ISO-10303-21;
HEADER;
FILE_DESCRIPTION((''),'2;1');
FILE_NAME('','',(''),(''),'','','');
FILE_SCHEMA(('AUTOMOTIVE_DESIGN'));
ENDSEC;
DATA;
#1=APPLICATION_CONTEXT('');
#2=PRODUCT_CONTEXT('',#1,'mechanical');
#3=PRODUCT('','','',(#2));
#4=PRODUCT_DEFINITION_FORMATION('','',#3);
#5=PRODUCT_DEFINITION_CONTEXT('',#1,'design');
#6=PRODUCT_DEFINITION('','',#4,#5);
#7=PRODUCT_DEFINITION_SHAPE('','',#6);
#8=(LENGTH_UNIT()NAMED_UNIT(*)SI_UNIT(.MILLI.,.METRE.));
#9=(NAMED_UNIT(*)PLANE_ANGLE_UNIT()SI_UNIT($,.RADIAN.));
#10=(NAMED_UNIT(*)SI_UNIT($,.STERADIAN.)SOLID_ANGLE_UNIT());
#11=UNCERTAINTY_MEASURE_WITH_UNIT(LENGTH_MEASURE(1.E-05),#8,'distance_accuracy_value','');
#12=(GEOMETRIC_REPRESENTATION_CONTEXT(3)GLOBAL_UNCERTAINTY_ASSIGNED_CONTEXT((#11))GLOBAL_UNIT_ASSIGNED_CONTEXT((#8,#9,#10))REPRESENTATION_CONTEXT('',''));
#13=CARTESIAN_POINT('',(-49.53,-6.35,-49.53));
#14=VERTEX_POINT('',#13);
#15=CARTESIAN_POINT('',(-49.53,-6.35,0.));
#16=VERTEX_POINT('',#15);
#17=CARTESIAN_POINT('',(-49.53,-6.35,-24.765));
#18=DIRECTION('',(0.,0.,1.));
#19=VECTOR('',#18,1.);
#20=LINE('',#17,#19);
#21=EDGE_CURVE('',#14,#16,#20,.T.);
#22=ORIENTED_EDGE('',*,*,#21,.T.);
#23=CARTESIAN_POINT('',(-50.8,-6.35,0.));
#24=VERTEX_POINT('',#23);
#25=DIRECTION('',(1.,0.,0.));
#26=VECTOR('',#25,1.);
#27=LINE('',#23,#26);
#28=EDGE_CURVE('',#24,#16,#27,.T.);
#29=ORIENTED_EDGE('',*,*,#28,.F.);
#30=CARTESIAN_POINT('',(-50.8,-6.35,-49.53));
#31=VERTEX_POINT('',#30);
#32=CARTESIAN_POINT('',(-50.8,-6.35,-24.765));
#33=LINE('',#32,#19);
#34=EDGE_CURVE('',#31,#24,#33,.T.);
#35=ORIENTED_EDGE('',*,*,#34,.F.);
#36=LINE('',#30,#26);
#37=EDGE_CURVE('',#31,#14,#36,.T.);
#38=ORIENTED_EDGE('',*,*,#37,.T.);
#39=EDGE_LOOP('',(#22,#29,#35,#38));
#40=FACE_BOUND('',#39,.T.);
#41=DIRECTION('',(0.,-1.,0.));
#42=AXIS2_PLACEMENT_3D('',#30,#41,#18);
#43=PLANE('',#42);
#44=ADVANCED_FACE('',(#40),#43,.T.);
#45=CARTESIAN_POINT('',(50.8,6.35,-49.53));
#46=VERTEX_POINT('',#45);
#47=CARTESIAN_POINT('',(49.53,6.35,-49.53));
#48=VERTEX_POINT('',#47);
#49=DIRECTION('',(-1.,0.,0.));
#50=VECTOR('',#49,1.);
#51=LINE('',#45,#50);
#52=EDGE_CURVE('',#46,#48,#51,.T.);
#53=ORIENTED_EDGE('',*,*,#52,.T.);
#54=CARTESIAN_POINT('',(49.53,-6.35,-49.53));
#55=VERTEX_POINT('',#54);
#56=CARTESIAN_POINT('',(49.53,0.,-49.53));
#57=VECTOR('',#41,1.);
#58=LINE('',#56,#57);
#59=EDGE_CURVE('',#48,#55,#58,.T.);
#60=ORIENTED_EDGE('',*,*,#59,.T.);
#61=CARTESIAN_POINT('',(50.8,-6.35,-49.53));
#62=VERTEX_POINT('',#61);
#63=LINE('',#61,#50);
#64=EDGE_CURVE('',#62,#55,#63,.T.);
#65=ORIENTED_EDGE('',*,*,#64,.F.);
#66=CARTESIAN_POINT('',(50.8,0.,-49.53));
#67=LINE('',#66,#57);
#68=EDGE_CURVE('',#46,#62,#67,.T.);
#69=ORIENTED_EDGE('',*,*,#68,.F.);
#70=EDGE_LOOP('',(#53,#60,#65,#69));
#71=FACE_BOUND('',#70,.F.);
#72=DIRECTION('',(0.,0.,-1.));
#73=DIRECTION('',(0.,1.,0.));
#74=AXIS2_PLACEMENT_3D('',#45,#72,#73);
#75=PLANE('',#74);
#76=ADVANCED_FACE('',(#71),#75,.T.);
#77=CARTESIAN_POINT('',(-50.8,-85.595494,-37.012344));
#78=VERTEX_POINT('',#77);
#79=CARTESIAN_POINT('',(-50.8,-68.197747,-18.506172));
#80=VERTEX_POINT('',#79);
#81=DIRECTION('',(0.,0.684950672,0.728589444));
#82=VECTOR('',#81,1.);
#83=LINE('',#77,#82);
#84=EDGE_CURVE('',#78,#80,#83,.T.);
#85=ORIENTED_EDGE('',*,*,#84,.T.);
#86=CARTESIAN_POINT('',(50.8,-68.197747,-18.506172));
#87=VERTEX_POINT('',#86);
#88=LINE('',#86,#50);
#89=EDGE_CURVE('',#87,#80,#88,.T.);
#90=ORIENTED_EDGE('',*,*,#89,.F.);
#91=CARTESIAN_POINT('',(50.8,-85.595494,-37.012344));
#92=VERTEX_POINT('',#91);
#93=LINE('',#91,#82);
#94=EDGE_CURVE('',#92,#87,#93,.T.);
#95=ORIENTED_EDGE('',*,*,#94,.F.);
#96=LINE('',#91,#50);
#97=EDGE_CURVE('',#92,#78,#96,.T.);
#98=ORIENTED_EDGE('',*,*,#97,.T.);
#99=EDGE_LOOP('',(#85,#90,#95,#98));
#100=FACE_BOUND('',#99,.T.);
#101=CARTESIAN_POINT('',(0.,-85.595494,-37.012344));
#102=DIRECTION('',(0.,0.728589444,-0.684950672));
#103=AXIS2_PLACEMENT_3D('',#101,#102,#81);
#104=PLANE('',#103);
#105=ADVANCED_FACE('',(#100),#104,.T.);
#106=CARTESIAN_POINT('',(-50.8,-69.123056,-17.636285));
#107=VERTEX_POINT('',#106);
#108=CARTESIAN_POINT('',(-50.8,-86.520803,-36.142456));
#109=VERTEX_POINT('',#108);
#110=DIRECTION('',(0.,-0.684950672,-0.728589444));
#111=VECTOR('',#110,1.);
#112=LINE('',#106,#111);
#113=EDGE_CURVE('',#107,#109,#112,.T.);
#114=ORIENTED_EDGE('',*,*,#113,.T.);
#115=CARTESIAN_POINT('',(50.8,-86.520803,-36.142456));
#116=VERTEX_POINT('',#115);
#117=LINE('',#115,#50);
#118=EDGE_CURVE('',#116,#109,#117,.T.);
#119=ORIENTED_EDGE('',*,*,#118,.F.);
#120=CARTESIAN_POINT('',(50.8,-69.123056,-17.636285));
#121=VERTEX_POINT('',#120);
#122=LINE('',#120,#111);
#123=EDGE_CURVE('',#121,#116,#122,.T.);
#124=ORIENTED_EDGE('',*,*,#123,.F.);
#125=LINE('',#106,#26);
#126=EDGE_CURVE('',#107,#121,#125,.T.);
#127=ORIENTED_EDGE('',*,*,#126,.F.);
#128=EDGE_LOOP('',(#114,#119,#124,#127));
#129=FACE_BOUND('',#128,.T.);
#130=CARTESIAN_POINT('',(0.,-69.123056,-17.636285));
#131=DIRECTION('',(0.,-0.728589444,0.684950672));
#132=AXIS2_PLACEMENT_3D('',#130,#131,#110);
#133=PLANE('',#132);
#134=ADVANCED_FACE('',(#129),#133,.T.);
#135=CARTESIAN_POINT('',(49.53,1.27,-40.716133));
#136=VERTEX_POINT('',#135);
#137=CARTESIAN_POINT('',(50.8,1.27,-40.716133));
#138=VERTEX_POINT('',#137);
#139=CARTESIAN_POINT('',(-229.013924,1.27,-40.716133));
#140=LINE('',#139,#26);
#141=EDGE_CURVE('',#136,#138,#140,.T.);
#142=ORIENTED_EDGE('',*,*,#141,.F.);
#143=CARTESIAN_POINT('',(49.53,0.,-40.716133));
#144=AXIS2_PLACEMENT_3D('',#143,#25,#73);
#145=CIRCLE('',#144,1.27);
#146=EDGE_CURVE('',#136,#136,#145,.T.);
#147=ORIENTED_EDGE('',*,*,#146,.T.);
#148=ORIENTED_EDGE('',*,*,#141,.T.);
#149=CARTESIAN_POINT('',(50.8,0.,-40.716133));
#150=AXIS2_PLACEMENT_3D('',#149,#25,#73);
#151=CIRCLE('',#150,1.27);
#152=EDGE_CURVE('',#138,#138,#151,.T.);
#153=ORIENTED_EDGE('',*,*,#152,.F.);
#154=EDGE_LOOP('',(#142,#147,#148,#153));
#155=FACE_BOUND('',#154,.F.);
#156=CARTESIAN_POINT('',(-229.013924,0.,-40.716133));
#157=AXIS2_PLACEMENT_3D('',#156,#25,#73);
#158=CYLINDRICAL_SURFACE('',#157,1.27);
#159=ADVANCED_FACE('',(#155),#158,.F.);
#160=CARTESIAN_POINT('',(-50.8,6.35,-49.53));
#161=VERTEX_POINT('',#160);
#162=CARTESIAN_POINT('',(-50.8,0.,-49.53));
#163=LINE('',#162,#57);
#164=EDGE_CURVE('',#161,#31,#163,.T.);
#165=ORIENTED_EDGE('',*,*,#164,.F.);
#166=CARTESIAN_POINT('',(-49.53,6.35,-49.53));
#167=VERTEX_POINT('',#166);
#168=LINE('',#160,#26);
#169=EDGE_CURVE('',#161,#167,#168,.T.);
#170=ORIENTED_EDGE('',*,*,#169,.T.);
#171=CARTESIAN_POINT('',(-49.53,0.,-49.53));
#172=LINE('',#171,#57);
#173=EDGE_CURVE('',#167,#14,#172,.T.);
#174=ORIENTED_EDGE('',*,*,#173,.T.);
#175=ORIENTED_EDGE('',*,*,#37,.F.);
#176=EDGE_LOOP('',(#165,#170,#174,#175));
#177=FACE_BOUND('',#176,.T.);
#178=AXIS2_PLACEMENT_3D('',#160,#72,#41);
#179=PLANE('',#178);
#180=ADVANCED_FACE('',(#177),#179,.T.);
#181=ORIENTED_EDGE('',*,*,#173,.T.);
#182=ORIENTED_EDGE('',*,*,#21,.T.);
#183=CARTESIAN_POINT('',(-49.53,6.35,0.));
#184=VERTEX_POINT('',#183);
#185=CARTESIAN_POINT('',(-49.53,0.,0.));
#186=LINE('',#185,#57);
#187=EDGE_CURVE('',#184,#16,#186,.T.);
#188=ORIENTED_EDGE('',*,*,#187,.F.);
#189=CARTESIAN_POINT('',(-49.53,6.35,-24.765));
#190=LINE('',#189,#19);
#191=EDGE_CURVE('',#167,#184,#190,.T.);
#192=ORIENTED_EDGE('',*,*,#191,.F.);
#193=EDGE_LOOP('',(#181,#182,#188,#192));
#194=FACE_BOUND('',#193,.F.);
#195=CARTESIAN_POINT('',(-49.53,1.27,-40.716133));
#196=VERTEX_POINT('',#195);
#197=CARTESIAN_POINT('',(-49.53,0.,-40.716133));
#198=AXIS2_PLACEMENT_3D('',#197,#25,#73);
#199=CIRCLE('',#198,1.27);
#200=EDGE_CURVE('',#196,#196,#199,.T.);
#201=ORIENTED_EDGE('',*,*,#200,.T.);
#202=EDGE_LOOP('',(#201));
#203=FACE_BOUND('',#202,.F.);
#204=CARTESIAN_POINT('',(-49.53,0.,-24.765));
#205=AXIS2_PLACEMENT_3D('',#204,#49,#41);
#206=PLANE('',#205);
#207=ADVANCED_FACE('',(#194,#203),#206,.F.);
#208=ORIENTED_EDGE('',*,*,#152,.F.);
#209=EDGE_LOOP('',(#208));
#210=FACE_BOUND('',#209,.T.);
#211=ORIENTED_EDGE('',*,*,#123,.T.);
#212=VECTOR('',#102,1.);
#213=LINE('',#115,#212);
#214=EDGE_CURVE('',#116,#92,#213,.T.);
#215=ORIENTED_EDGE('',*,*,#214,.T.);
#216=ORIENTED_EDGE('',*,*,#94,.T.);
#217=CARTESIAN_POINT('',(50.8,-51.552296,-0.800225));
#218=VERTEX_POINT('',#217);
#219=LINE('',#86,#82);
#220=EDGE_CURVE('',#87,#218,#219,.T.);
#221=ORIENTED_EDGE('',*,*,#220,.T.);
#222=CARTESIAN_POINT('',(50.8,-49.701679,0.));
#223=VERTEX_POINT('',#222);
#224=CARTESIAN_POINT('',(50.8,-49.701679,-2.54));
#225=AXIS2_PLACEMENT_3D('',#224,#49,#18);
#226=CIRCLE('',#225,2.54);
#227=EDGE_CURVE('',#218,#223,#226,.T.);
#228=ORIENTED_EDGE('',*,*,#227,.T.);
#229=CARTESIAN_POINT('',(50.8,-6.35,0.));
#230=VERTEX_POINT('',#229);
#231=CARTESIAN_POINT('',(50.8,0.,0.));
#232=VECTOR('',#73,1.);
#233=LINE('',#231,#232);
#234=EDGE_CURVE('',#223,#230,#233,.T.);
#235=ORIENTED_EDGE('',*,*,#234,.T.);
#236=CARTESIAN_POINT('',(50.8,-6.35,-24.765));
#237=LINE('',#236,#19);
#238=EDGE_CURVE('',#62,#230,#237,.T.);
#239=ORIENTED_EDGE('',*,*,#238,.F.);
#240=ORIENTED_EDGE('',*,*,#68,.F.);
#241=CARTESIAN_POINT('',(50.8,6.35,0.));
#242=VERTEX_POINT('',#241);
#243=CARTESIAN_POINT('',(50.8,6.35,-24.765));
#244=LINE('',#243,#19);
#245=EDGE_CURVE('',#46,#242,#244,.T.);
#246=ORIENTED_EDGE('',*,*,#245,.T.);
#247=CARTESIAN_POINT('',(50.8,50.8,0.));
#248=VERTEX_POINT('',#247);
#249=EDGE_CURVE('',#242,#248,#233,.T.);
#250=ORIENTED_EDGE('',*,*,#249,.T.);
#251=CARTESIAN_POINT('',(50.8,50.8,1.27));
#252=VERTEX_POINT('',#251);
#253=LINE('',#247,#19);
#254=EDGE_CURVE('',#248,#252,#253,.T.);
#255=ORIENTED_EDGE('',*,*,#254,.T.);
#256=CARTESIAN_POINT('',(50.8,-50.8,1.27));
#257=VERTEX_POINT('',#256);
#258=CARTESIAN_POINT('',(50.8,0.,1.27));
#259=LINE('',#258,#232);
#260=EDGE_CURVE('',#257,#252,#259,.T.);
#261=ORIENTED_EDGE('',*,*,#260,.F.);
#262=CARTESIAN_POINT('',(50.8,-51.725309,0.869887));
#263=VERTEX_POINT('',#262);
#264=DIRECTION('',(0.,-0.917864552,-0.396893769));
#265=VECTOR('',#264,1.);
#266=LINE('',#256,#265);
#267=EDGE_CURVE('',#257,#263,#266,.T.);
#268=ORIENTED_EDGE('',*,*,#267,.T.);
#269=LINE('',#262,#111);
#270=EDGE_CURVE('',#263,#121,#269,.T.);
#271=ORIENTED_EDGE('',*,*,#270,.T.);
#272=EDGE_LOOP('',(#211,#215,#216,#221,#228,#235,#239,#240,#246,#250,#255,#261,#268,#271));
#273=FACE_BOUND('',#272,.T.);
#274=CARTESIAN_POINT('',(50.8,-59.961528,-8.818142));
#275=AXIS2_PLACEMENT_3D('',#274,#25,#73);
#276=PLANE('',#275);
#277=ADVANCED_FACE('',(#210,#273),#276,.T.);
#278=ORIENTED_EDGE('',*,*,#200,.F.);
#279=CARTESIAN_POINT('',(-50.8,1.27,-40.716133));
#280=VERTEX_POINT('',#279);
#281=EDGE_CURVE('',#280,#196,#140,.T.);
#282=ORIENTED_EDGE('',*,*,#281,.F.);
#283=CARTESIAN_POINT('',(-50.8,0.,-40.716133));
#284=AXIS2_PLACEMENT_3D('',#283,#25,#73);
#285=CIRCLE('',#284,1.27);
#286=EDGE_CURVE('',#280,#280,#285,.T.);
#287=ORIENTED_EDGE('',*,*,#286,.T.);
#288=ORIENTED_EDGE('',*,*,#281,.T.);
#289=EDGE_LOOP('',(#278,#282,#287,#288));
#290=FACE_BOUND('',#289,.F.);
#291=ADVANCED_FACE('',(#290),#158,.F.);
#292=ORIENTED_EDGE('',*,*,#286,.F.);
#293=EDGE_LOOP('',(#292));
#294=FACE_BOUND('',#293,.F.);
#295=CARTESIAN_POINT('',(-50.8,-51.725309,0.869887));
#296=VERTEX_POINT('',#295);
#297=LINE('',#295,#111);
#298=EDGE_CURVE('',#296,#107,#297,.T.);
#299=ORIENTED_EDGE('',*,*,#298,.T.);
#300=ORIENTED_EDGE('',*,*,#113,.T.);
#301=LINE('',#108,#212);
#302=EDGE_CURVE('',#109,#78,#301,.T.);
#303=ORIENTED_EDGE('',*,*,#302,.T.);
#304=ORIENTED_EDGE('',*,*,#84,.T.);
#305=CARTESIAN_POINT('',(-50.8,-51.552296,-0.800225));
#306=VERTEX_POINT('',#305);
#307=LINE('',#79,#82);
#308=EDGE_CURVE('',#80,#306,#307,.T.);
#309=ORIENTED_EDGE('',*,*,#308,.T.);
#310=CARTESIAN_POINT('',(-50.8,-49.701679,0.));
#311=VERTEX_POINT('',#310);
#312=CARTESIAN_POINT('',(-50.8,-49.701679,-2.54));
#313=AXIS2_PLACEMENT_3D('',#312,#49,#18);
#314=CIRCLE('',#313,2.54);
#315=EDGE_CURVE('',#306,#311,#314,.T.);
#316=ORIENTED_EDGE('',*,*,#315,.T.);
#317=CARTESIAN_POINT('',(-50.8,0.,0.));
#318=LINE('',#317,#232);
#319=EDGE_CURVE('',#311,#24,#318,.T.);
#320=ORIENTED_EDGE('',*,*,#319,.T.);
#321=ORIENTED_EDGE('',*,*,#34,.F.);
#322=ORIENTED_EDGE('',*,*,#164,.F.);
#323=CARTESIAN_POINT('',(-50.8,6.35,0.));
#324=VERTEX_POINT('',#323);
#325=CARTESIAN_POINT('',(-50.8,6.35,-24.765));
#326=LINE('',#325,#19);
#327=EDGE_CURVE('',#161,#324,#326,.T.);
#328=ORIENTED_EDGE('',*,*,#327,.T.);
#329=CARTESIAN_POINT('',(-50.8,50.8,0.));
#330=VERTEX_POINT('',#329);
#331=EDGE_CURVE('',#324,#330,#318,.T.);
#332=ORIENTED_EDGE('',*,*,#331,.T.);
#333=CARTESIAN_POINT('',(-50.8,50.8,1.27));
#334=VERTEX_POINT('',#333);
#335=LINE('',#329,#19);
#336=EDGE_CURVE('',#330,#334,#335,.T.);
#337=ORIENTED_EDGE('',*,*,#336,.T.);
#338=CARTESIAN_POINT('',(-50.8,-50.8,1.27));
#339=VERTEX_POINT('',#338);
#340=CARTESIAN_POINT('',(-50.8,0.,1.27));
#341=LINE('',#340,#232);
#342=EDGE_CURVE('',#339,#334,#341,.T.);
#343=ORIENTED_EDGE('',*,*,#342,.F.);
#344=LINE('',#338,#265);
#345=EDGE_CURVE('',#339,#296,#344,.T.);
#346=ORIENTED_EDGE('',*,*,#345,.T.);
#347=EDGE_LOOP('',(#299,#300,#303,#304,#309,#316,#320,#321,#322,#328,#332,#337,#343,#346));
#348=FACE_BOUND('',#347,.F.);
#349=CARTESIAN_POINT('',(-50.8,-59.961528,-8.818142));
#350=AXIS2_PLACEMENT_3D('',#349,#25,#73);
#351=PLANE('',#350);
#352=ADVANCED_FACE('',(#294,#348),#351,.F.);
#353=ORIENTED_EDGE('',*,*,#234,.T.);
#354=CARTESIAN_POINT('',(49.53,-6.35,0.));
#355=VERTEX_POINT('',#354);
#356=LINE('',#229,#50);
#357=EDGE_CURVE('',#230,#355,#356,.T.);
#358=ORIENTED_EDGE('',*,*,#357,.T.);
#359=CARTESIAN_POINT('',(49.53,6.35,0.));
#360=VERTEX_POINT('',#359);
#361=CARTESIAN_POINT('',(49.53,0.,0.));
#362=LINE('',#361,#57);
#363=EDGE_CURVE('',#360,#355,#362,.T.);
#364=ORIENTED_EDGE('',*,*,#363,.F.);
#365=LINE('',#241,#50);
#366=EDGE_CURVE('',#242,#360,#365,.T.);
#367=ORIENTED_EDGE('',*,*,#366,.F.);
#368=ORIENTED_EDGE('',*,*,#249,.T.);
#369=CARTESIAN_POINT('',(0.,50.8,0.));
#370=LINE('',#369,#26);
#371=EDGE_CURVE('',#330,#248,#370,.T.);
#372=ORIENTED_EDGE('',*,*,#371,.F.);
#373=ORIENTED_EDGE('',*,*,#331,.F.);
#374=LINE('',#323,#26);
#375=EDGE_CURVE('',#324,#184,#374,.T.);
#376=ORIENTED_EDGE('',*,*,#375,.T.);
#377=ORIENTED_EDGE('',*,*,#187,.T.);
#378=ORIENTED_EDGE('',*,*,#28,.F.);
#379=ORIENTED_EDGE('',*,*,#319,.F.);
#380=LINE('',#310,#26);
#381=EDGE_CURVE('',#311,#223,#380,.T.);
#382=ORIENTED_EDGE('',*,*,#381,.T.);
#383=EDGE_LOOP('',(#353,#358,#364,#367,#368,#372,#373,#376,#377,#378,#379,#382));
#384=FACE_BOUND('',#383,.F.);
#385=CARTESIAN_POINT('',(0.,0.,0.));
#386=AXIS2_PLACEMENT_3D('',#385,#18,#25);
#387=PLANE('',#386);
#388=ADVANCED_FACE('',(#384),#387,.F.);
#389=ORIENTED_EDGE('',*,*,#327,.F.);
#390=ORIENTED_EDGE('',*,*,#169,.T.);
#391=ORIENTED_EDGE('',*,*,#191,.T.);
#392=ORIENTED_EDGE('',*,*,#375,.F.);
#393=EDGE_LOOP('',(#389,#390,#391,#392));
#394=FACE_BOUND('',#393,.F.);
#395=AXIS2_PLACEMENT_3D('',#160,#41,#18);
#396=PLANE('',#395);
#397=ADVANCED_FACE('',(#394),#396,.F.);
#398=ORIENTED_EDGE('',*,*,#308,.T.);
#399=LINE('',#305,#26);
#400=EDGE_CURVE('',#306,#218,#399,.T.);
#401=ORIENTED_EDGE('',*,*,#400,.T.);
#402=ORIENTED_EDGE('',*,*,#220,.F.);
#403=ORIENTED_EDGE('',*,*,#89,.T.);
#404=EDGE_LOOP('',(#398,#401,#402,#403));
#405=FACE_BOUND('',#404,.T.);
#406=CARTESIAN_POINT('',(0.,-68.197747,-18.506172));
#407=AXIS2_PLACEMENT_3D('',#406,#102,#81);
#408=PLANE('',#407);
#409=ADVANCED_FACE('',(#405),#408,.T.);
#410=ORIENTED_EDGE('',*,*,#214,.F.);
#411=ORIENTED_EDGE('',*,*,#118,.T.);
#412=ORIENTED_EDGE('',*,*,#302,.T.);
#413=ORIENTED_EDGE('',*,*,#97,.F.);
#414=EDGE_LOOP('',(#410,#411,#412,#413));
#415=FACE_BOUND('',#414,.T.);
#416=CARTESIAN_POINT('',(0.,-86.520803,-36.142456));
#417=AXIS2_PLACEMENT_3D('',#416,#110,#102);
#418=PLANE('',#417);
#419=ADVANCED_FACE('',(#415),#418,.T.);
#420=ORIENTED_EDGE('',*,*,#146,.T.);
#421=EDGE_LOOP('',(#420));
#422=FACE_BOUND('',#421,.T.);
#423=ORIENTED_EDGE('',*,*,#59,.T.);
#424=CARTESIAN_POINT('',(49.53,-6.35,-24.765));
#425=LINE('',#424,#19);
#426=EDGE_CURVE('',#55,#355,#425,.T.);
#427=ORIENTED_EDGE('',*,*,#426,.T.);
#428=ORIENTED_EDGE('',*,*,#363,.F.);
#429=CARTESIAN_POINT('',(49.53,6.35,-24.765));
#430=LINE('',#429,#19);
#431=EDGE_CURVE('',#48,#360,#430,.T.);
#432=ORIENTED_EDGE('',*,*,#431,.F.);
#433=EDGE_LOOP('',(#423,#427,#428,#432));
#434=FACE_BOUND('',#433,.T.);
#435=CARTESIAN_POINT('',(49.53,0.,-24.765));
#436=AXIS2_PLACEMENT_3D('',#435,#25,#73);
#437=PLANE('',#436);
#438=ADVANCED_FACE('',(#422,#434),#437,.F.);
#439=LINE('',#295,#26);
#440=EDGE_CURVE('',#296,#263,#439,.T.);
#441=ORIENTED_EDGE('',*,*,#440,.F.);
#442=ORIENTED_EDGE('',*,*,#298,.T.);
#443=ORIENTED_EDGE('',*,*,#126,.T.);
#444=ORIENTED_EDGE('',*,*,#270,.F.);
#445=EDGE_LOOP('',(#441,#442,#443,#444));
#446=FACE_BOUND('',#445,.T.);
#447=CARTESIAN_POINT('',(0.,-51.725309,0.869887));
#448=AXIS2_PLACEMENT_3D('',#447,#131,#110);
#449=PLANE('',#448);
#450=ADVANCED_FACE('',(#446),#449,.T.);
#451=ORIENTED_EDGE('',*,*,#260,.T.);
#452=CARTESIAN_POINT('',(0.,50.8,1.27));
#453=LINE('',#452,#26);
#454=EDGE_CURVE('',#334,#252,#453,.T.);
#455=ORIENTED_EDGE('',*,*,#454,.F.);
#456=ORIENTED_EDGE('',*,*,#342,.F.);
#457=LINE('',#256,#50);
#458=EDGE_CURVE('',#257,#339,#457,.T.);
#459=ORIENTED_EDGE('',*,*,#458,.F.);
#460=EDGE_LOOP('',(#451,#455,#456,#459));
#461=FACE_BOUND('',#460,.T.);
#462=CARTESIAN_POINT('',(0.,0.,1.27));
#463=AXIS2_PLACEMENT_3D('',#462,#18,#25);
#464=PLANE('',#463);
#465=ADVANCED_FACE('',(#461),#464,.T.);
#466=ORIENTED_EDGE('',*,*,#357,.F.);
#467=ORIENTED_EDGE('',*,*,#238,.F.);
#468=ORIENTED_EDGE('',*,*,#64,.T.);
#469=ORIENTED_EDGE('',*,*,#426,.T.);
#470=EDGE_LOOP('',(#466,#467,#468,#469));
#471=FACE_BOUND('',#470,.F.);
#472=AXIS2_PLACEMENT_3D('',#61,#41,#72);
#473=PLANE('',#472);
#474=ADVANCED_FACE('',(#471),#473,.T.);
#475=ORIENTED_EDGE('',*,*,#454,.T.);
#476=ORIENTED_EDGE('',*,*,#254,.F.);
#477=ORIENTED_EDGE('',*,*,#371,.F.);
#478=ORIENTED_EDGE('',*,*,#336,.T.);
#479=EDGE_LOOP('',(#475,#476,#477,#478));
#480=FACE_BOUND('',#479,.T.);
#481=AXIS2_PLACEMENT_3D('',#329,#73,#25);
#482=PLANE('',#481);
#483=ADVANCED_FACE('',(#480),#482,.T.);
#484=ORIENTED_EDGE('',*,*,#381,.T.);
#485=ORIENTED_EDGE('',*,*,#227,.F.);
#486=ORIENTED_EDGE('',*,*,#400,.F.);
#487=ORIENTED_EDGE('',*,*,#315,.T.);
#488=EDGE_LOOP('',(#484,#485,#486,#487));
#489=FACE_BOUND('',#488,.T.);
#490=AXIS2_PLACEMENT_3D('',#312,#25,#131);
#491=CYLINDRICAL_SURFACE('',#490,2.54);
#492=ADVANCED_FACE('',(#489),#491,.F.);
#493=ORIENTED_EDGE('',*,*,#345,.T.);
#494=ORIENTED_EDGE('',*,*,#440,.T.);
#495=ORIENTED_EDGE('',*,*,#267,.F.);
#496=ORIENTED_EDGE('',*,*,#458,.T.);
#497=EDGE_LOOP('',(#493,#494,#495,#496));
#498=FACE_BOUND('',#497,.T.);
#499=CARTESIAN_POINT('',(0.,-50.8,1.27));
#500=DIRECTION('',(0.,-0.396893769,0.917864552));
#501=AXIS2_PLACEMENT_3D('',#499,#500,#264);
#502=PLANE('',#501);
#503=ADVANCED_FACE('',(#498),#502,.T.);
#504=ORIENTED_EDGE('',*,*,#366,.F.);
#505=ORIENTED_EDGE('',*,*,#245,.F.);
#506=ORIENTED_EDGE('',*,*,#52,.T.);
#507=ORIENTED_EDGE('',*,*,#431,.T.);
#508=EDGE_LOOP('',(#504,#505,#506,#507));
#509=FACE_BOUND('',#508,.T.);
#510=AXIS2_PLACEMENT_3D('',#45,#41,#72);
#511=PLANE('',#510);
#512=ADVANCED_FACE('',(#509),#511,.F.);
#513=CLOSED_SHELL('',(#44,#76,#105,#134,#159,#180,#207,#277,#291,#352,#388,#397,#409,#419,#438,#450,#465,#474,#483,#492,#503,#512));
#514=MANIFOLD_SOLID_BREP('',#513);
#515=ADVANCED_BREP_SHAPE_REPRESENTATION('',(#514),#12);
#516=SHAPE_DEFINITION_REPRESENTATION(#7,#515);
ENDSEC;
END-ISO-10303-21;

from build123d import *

# Parameters (mm, degrees)
F0_W          = 101.6
F0_H          = 101.6
F1_DEPTH      = 1.27
F3_DEPTH      = 50.8
F3_DEPTH_BACK = 50.8
F4_W          = 12.7
F4_H          = 49.53
F5_DEPTH      = 1.27
F8_D          = 2.54
F9_R          = 2.54


with BuildPart() as f1:
    # F0 (on Top) → F1 (new body)
    with BuildSketch(Plane.XY):
        Rectangle(F0_W, F0_H)
    extrude(amount=F1_DEPTH)

    # F2 (on Right) → F3 (join, two sides)
    with BuildSketch(Plane.YZ) as f3_sk:
        Polygon((-68.1977470568, -18.5061718718), (-50.8, 0), (-51.7253085936, 0.8698873528), (-69.1230556503, -17.636284519), align=None)
        Polygon((-85.5954941135, -37.0123437436), (-68.1977470568, -18.5061718718), (-69.1230556503, -17.636284519), (-86.5208027071, -36.1424563908), align=None)
        Polygon((-51.7253085936, 0.8698873528), (-50.8, 0), (-50.8, 1.27), align=None)
    extrude(amount=F3_DEPTH)
    extrude(f3_sk.sketch, amount=-F3_DEPTH_BACK)

    # F4 (on face) → F5 (join)
    with BuildSketch(Plane(origin=(-50.8, 0, 0), x_dir=(0, -1, 0), z_dir=(-1, 0, 0))):
        with Locations((0, -24.765)):
            Rectangle(F4_W, F4_H)
    extrude(amount=-F5_DEPTH)

    # F6: F1 across plane


with BuildPart() as f1_1:
    add(f1.part)
    add(f1.part.mirror(Plane.YZ))

    # F8 (through all)
    with Locations(Plane(origin=(-50.8, 0, 0), x_dir=(0, -1, 0), z_dir=(-1, 0, 0))):
        with Locations((0, -40.7161329025)):
            Hole(F8_D / 2)

    # F9
    f9_edges = [f1_1.edges().sort_by_distance(p)[0] for p in [
        (0, -50.8, 0),
    ]]
    fillet(f9_edges, radius=F9_R)


solid = f1_1.part
